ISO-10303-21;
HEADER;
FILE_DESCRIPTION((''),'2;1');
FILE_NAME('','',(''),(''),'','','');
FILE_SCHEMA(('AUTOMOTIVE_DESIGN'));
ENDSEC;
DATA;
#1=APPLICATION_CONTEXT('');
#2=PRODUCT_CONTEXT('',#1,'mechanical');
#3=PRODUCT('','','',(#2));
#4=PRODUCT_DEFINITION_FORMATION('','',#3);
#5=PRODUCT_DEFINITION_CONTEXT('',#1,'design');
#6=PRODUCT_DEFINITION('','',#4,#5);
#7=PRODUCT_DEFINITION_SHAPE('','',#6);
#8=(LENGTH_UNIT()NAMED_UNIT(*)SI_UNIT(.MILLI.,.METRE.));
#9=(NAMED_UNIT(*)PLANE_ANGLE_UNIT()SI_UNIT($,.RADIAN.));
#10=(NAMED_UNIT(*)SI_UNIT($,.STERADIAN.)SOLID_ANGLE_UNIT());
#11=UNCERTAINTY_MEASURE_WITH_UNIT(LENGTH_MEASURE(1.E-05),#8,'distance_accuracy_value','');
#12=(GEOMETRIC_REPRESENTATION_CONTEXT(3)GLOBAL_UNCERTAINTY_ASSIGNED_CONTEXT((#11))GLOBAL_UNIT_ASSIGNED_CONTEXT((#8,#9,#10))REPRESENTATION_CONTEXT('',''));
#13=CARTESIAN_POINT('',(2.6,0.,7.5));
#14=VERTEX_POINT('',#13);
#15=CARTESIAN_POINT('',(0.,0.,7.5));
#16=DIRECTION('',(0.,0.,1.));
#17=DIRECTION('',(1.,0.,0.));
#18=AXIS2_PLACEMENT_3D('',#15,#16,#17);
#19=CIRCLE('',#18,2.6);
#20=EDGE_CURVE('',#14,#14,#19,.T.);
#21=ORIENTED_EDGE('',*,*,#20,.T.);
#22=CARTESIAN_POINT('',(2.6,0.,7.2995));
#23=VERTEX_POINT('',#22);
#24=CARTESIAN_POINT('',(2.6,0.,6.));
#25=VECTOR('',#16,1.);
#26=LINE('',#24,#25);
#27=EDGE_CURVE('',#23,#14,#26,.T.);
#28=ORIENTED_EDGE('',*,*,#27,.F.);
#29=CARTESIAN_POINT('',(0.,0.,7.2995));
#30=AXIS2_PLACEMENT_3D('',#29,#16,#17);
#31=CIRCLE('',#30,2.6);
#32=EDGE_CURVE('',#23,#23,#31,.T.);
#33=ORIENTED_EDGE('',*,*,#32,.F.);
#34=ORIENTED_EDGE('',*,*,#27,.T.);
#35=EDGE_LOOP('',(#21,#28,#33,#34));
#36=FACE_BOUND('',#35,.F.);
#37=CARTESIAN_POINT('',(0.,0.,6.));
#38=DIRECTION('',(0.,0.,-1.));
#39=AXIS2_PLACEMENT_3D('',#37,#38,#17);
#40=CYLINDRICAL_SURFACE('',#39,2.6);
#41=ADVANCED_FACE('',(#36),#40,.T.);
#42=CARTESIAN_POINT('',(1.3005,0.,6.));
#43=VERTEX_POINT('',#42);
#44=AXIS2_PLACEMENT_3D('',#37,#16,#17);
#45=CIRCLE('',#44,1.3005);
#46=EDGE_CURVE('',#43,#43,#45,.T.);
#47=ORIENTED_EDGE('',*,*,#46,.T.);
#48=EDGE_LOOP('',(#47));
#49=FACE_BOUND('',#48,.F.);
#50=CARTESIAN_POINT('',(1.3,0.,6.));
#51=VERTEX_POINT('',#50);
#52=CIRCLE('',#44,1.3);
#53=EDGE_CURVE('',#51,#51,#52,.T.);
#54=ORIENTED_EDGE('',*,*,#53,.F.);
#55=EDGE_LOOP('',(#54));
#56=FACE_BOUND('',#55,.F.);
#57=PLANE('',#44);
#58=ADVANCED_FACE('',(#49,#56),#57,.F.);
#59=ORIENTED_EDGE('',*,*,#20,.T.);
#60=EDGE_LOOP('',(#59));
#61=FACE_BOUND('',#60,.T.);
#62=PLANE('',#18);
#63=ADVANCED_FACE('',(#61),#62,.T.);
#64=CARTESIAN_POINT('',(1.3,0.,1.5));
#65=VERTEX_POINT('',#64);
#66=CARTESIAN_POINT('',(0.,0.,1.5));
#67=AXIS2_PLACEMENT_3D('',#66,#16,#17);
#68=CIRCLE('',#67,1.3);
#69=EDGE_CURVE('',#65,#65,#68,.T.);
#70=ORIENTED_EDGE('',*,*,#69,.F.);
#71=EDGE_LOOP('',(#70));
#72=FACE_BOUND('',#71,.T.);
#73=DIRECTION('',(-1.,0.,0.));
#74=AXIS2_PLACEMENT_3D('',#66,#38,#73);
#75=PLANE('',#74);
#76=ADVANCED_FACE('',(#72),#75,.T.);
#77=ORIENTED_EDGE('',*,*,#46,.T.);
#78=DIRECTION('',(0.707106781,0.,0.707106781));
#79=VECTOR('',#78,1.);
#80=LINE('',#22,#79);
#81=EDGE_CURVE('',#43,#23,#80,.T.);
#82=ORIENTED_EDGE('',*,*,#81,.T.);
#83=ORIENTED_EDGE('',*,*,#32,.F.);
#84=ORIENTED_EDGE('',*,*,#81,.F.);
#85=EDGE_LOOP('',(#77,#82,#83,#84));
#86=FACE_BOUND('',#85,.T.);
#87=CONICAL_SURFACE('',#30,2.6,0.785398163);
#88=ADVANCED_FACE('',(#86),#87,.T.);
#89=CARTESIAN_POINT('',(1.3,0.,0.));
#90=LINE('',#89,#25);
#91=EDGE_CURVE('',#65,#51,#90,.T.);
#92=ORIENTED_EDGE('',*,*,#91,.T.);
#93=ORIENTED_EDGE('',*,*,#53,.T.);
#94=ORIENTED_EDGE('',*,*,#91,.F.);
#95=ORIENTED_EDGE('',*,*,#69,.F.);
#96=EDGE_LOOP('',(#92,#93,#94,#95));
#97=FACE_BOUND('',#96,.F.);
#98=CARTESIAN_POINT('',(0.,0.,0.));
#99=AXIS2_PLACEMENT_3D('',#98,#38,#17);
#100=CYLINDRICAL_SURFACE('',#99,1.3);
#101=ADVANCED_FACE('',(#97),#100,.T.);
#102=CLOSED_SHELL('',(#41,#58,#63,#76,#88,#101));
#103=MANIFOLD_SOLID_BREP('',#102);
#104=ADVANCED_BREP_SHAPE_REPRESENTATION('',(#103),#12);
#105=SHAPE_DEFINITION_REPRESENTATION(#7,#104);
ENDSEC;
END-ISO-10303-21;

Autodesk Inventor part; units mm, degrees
ref_plane "YZ Plane" through (0, 0, 0) normal (1, 0, 0) x (0, 1, 0)
ref_plane "XZ Plane" through (0, 0, 0) normal (0, 1, 0) x (-1, 0, 0)
ref_plane "XY Plane" through (0, 0, 0) normal (0, 0, 1) x (1, 0, 0)
sketch "スケッチ1" plane through (0, 0, 0) normal (0, 0, 1) x (1, 0, 0)
  circle A0 centre (0, 0) radius 1.3
  dimension "d0" = 2.6
extrude "押し出し1" add sketch "スケッチ1" along normal blind 6
sketch "スケッチ2" plane through (0, 0, 6) normal (0, 0, 1) x (1, 0, 0)
  circle A0 centre (0, 0) radius 1.3 projected
  circle A1 centre (0, 0) radius 2.6
  dimension "d3" = 5.2
extrude "押し出し2" add sketch "スケッチ2" along normal blind 1.5 contours A0 | A1
thread "ねじ1" size "M3x0.5" class "6g" standard "ANSI Metric M Profile" full length
chamfer "面取り1" distance 1.3 angle 45 1 edges at (-2.6, 0, 6)
sketch "スケッチ4" plane through (0, 0, 0) normal (0, 0, -1) x (-1, 0, 0)
  circle A0 centre (0, 0) radius 1.3 projected
extrude "押し出し4" cut sketch "スケッチ4" against normal blind 1.5
properties part number "M2.6 6mm皿ネジ" material "Steel, Mild"
